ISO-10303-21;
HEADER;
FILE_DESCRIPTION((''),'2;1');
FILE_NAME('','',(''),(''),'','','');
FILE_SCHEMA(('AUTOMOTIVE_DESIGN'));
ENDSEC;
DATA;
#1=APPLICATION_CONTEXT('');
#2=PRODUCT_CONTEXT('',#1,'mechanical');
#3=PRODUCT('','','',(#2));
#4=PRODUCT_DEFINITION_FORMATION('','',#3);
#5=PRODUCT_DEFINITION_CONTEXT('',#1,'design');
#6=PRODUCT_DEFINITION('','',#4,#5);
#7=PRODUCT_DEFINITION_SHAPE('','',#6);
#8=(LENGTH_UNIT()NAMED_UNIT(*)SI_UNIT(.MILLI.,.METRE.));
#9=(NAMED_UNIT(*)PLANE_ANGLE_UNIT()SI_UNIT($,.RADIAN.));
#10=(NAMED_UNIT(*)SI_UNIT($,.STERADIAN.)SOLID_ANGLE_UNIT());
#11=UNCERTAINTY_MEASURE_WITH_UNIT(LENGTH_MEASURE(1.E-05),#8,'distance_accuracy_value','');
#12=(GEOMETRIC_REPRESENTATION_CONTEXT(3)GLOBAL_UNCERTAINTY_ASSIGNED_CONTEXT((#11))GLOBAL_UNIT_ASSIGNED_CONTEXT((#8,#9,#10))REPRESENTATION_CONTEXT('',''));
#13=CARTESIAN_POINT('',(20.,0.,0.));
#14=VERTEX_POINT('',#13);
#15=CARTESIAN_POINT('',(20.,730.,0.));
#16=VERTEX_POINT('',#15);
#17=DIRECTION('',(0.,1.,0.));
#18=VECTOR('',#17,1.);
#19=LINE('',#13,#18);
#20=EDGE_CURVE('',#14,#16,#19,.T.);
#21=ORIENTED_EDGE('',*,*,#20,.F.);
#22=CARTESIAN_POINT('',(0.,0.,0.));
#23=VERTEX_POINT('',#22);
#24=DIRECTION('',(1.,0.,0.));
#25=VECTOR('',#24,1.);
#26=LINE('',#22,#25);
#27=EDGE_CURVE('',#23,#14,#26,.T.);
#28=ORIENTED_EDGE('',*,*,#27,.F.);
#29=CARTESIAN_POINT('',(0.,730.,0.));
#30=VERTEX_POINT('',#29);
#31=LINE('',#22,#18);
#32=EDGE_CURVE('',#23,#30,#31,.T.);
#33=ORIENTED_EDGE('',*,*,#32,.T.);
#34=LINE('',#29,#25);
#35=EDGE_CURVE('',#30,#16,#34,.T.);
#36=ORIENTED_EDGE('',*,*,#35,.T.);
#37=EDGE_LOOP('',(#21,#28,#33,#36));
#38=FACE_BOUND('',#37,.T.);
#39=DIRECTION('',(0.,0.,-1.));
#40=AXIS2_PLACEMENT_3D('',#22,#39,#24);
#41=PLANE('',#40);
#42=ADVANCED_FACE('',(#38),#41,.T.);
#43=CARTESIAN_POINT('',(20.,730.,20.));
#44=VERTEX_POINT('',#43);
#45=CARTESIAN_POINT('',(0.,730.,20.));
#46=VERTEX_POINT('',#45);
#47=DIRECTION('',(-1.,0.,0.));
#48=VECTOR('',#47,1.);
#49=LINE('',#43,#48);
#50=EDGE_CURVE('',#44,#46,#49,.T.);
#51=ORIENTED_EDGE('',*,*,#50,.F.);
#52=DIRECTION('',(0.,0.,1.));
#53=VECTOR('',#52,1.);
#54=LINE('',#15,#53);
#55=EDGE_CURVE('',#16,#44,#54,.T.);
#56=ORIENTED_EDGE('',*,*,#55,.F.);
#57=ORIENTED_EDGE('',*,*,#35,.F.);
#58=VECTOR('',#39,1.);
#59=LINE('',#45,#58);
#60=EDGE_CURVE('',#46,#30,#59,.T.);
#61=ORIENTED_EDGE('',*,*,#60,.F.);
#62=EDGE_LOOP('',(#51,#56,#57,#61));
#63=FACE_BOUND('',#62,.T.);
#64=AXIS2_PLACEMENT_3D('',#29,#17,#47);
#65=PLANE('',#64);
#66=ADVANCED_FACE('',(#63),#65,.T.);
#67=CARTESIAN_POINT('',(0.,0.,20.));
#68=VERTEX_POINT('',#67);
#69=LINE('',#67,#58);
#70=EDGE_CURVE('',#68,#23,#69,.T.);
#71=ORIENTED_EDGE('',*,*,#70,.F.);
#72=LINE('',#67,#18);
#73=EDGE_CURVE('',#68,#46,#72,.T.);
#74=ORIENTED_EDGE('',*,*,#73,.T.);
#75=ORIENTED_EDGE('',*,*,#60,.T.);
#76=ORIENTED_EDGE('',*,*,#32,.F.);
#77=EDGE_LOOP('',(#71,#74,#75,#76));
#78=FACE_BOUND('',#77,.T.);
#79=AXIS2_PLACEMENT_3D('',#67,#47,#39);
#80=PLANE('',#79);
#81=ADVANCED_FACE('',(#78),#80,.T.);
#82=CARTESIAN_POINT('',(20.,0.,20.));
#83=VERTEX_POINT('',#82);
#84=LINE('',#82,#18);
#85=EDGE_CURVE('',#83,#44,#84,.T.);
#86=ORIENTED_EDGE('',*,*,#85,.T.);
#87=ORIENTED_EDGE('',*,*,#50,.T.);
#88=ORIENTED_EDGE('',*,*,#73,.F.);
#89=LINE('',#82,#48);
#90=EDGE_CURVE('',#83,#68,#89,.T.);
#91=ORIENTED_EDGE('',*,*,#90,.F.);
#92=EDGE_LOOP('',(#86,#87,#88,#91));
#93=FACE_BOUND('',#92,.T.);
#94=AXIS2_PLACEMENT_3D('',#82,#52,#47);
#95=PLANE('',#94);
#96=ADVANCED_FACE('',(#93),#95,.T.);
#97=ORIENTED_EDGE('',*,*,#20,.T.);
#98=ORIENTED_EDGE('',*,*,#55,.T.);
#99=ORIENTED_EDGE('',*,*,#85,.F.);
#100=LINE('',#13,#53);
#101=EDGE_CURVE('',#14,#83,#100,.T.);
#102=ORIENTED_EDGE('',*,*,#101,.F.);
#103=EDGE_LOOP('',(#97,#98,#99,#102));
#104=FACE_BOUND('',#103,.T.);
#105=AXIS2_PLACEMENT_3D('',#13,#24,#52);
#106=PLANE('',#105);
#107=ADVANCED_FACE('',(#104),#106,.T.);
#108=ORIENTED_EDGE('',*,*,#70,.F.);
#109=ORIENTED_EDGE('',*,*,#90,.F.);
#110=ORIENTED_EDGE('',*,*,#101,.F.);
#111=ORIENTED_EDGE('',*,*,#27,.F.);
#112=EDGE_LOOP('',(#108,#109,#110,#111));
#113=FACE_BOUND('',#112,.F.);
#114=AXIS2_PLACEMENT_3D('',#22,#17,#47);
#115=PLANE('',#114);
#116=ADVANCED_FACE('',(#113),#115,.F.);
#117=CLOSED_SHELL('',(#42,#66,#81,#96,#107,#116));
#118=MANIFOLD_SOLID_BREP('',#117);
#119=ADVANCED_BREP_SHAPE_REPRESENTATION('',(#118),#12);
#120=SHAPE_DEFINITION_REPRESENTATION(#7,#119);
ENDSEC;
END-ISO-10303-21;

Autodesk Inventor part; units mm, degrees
ref_plane "YZ Plane" through (0, 0, 0) normal (1, 0, 0) x (0, 1, 0)
ref_plane "XZ Plane" through (0, 0, 0) normal (0, 1, 0) x (-1, 0, 0)
ref_plane "XY Plane" through (0, 0, 0) normal (0, 0, 1) x (1, 0, 0)
sketch "Boceto1" plane through (0, 0, 0) normal (0, 1, 0) x (-1, 0, 0)
  line L0 (0, 0) -> (-20, 0)
  line L1 (-20, 0) -> (-20, 20)
  line L2 (-20, 20) -> (0, 20)
  line L3 (0, 20) -> (0, 0)
  dimension "d0" = 20
  dimension "d1" = 20
extrude "Extrusión1" add sketch "Boceto1" along normal blind 730
properties part number "Patas"
